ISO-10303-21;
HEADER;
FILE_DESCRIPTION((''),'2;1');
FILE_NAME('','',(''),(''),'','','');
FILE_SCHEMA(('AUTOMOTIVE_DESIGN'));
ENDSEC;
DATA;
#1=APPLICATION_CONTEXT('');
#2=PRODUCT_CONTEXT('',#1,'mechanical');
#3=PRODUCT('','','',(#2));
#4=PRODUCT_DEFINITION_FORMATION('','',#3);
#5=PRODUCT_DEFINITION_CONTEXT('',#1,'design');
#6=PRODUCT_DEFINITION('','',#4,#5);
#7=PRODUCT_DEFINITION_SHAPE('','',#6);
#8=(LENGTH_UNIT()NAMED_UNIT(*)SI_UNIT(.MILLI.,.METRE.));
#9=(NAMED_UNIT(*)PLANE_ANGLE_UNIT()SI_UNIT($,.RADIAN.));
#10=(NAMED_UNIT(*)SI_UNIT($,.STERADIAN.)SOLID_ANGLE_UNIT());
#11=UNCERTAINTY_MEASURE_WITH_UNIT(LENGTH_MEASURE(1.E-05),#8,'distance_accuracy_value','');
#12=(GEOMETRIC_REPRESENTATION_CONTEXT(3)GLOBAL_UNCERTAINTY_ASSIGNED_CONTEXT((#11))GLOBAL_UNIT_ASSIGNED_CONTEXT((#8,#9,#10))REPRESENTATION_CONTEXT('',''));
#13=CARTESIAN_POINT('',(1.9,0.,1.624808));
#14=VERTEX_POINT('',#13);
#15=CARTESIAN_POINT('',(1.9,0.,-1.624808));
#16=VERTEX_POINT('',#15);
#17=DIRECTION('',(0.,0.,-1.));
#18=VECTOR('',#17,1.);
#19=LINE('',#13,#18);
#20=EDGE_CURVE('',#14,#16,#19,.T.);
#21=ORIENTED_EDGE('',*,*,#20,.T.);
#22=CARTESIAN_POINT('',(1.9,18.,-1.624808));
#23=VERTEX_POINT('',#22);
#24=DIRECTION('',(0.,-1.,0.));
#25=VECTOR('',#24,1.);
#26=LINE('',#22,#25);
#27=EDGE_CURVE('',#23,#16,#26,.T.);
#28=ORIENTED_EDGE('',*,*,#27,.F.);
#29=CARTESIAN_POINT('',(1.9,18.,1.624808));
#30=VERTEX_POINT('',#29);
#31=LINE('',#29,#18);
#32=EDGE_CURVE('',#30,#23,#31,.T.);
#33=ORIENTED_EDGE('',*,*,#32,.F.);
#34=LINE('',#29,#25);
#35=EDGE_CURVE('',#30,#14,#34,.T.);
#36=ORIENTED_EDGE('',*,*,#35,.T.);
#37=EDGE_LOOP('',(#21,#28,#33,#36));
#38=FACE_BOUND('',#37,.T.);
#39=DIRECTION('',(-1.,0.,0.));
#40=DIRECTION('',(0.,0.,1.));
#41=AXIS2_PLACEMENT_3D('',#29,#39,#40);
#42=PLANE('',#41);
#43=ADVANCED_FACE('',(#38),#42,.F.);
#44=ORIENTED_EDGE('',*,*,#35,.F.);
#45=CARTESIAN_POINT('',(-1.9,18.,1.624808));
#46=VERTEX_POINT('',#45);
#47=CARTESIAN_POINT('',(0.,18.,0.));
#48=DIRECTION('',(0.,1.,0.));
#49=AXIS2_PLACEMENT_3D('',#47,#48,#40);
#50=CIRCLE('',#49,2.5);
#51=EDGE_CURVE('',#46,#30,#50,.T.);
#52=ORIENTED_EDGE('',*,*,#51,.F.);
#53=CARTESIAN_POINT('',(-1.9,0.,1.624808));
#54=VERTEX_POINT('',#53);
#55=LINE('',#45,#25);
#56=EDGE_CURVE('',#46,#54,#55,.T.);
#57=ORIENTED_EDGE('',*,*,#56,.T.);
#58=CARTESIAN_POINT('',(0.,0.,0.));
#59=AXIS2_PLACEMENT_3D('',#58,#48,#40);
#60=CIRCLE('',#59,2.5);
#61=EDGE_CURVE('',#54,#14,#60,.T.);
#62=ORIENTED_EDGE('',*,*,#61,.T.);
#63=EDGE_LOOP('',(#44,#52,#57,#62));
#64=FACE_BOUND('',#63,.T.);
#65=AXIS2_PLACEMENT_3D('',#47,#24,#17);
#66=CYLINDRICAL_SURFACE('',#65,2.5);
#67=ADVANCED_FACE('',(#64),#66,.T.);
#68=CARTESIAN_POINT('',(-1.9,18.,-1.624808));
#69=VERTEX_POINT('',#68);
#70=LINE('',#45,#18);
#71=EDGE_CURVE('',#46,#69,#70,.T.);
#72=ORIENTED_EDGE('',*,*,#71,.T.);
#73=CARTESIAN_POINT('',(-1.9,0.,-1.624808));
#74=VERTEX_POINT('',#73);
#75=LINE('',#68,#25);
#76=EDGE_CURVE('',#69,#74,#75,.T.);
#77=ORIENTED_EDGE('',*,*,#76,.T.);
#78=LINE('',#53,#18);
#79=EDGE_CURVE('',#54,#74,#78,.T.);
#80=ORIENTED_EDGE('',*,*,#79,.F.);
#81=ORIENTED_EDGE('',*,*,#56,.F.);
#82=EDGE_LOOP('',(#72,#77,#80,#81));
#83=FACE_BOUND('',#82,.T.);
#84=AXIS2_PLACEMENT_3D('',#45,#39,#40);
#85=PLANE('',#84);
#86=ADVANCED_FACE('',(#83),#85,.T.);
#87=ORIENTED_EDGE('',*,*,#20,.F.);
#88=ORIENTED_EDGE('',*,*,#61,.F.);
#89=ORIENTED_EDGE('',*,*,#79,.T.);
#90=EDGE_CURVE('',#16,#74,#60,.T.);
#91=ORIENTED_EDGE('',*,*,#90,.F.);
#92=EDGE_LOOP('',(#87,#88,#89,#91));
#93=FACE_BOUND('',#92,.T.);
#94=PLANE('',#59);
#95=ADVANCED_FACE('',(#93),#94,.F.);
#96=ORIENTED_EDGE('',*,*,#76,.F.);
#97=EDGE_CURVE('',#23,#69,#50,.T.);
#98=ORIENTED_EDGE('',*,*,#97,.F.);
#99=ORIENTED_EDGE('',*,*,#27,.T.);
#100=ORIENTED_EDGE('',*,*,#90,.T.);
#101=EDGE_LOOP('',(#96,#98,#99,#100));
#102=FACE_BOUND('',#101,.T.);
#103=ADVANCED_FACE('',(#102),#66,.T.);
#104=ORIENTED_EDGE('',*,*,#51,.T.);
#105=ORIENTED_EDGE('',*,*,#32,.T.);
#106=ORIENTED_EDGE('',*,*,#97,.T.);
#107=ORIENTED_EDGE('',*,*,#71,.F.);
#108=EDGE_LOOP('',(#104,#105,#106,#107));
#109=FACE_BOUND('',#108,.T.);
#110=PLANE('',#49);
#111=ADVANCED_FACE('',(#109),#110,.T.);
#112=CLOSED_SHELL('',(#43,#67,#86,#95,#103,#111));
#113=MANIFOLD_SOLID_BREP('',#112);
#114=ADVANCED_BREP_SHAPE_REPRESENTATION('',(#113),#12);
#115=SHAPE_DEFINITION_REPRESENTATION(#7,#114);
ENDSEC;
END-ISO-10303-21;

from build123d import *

# Parameters (mm, degrees)
BOSS_EXTRUDE1_DEPTH = 18


with BuildPart() as part:
    # Sketch1 → Boss-Extrude1 (new body)
    with BuildSketch(Plane(origin=(0, 0, 0), x_dir=(1, 0, 0), z_dir=(0, 1, 0))):
        with BuildLine():
            Line((1.9, -1.624807681), (1.9, 1.624807681))
            ThreePointArc((1.9, 1.624807681), (0, 2.5), (-1.9, 1.624807681))
            Line((-1.9, 1.624807681), (-1.9, -1.624807681))
            ThreePointArc((-1.9, -1.624807681), (0, -2.5), (1.9, -1.624807681))
        make_face()
    extrude(amount=BOSS_EXTRUDE1_DEPTH)


solid = part.part
